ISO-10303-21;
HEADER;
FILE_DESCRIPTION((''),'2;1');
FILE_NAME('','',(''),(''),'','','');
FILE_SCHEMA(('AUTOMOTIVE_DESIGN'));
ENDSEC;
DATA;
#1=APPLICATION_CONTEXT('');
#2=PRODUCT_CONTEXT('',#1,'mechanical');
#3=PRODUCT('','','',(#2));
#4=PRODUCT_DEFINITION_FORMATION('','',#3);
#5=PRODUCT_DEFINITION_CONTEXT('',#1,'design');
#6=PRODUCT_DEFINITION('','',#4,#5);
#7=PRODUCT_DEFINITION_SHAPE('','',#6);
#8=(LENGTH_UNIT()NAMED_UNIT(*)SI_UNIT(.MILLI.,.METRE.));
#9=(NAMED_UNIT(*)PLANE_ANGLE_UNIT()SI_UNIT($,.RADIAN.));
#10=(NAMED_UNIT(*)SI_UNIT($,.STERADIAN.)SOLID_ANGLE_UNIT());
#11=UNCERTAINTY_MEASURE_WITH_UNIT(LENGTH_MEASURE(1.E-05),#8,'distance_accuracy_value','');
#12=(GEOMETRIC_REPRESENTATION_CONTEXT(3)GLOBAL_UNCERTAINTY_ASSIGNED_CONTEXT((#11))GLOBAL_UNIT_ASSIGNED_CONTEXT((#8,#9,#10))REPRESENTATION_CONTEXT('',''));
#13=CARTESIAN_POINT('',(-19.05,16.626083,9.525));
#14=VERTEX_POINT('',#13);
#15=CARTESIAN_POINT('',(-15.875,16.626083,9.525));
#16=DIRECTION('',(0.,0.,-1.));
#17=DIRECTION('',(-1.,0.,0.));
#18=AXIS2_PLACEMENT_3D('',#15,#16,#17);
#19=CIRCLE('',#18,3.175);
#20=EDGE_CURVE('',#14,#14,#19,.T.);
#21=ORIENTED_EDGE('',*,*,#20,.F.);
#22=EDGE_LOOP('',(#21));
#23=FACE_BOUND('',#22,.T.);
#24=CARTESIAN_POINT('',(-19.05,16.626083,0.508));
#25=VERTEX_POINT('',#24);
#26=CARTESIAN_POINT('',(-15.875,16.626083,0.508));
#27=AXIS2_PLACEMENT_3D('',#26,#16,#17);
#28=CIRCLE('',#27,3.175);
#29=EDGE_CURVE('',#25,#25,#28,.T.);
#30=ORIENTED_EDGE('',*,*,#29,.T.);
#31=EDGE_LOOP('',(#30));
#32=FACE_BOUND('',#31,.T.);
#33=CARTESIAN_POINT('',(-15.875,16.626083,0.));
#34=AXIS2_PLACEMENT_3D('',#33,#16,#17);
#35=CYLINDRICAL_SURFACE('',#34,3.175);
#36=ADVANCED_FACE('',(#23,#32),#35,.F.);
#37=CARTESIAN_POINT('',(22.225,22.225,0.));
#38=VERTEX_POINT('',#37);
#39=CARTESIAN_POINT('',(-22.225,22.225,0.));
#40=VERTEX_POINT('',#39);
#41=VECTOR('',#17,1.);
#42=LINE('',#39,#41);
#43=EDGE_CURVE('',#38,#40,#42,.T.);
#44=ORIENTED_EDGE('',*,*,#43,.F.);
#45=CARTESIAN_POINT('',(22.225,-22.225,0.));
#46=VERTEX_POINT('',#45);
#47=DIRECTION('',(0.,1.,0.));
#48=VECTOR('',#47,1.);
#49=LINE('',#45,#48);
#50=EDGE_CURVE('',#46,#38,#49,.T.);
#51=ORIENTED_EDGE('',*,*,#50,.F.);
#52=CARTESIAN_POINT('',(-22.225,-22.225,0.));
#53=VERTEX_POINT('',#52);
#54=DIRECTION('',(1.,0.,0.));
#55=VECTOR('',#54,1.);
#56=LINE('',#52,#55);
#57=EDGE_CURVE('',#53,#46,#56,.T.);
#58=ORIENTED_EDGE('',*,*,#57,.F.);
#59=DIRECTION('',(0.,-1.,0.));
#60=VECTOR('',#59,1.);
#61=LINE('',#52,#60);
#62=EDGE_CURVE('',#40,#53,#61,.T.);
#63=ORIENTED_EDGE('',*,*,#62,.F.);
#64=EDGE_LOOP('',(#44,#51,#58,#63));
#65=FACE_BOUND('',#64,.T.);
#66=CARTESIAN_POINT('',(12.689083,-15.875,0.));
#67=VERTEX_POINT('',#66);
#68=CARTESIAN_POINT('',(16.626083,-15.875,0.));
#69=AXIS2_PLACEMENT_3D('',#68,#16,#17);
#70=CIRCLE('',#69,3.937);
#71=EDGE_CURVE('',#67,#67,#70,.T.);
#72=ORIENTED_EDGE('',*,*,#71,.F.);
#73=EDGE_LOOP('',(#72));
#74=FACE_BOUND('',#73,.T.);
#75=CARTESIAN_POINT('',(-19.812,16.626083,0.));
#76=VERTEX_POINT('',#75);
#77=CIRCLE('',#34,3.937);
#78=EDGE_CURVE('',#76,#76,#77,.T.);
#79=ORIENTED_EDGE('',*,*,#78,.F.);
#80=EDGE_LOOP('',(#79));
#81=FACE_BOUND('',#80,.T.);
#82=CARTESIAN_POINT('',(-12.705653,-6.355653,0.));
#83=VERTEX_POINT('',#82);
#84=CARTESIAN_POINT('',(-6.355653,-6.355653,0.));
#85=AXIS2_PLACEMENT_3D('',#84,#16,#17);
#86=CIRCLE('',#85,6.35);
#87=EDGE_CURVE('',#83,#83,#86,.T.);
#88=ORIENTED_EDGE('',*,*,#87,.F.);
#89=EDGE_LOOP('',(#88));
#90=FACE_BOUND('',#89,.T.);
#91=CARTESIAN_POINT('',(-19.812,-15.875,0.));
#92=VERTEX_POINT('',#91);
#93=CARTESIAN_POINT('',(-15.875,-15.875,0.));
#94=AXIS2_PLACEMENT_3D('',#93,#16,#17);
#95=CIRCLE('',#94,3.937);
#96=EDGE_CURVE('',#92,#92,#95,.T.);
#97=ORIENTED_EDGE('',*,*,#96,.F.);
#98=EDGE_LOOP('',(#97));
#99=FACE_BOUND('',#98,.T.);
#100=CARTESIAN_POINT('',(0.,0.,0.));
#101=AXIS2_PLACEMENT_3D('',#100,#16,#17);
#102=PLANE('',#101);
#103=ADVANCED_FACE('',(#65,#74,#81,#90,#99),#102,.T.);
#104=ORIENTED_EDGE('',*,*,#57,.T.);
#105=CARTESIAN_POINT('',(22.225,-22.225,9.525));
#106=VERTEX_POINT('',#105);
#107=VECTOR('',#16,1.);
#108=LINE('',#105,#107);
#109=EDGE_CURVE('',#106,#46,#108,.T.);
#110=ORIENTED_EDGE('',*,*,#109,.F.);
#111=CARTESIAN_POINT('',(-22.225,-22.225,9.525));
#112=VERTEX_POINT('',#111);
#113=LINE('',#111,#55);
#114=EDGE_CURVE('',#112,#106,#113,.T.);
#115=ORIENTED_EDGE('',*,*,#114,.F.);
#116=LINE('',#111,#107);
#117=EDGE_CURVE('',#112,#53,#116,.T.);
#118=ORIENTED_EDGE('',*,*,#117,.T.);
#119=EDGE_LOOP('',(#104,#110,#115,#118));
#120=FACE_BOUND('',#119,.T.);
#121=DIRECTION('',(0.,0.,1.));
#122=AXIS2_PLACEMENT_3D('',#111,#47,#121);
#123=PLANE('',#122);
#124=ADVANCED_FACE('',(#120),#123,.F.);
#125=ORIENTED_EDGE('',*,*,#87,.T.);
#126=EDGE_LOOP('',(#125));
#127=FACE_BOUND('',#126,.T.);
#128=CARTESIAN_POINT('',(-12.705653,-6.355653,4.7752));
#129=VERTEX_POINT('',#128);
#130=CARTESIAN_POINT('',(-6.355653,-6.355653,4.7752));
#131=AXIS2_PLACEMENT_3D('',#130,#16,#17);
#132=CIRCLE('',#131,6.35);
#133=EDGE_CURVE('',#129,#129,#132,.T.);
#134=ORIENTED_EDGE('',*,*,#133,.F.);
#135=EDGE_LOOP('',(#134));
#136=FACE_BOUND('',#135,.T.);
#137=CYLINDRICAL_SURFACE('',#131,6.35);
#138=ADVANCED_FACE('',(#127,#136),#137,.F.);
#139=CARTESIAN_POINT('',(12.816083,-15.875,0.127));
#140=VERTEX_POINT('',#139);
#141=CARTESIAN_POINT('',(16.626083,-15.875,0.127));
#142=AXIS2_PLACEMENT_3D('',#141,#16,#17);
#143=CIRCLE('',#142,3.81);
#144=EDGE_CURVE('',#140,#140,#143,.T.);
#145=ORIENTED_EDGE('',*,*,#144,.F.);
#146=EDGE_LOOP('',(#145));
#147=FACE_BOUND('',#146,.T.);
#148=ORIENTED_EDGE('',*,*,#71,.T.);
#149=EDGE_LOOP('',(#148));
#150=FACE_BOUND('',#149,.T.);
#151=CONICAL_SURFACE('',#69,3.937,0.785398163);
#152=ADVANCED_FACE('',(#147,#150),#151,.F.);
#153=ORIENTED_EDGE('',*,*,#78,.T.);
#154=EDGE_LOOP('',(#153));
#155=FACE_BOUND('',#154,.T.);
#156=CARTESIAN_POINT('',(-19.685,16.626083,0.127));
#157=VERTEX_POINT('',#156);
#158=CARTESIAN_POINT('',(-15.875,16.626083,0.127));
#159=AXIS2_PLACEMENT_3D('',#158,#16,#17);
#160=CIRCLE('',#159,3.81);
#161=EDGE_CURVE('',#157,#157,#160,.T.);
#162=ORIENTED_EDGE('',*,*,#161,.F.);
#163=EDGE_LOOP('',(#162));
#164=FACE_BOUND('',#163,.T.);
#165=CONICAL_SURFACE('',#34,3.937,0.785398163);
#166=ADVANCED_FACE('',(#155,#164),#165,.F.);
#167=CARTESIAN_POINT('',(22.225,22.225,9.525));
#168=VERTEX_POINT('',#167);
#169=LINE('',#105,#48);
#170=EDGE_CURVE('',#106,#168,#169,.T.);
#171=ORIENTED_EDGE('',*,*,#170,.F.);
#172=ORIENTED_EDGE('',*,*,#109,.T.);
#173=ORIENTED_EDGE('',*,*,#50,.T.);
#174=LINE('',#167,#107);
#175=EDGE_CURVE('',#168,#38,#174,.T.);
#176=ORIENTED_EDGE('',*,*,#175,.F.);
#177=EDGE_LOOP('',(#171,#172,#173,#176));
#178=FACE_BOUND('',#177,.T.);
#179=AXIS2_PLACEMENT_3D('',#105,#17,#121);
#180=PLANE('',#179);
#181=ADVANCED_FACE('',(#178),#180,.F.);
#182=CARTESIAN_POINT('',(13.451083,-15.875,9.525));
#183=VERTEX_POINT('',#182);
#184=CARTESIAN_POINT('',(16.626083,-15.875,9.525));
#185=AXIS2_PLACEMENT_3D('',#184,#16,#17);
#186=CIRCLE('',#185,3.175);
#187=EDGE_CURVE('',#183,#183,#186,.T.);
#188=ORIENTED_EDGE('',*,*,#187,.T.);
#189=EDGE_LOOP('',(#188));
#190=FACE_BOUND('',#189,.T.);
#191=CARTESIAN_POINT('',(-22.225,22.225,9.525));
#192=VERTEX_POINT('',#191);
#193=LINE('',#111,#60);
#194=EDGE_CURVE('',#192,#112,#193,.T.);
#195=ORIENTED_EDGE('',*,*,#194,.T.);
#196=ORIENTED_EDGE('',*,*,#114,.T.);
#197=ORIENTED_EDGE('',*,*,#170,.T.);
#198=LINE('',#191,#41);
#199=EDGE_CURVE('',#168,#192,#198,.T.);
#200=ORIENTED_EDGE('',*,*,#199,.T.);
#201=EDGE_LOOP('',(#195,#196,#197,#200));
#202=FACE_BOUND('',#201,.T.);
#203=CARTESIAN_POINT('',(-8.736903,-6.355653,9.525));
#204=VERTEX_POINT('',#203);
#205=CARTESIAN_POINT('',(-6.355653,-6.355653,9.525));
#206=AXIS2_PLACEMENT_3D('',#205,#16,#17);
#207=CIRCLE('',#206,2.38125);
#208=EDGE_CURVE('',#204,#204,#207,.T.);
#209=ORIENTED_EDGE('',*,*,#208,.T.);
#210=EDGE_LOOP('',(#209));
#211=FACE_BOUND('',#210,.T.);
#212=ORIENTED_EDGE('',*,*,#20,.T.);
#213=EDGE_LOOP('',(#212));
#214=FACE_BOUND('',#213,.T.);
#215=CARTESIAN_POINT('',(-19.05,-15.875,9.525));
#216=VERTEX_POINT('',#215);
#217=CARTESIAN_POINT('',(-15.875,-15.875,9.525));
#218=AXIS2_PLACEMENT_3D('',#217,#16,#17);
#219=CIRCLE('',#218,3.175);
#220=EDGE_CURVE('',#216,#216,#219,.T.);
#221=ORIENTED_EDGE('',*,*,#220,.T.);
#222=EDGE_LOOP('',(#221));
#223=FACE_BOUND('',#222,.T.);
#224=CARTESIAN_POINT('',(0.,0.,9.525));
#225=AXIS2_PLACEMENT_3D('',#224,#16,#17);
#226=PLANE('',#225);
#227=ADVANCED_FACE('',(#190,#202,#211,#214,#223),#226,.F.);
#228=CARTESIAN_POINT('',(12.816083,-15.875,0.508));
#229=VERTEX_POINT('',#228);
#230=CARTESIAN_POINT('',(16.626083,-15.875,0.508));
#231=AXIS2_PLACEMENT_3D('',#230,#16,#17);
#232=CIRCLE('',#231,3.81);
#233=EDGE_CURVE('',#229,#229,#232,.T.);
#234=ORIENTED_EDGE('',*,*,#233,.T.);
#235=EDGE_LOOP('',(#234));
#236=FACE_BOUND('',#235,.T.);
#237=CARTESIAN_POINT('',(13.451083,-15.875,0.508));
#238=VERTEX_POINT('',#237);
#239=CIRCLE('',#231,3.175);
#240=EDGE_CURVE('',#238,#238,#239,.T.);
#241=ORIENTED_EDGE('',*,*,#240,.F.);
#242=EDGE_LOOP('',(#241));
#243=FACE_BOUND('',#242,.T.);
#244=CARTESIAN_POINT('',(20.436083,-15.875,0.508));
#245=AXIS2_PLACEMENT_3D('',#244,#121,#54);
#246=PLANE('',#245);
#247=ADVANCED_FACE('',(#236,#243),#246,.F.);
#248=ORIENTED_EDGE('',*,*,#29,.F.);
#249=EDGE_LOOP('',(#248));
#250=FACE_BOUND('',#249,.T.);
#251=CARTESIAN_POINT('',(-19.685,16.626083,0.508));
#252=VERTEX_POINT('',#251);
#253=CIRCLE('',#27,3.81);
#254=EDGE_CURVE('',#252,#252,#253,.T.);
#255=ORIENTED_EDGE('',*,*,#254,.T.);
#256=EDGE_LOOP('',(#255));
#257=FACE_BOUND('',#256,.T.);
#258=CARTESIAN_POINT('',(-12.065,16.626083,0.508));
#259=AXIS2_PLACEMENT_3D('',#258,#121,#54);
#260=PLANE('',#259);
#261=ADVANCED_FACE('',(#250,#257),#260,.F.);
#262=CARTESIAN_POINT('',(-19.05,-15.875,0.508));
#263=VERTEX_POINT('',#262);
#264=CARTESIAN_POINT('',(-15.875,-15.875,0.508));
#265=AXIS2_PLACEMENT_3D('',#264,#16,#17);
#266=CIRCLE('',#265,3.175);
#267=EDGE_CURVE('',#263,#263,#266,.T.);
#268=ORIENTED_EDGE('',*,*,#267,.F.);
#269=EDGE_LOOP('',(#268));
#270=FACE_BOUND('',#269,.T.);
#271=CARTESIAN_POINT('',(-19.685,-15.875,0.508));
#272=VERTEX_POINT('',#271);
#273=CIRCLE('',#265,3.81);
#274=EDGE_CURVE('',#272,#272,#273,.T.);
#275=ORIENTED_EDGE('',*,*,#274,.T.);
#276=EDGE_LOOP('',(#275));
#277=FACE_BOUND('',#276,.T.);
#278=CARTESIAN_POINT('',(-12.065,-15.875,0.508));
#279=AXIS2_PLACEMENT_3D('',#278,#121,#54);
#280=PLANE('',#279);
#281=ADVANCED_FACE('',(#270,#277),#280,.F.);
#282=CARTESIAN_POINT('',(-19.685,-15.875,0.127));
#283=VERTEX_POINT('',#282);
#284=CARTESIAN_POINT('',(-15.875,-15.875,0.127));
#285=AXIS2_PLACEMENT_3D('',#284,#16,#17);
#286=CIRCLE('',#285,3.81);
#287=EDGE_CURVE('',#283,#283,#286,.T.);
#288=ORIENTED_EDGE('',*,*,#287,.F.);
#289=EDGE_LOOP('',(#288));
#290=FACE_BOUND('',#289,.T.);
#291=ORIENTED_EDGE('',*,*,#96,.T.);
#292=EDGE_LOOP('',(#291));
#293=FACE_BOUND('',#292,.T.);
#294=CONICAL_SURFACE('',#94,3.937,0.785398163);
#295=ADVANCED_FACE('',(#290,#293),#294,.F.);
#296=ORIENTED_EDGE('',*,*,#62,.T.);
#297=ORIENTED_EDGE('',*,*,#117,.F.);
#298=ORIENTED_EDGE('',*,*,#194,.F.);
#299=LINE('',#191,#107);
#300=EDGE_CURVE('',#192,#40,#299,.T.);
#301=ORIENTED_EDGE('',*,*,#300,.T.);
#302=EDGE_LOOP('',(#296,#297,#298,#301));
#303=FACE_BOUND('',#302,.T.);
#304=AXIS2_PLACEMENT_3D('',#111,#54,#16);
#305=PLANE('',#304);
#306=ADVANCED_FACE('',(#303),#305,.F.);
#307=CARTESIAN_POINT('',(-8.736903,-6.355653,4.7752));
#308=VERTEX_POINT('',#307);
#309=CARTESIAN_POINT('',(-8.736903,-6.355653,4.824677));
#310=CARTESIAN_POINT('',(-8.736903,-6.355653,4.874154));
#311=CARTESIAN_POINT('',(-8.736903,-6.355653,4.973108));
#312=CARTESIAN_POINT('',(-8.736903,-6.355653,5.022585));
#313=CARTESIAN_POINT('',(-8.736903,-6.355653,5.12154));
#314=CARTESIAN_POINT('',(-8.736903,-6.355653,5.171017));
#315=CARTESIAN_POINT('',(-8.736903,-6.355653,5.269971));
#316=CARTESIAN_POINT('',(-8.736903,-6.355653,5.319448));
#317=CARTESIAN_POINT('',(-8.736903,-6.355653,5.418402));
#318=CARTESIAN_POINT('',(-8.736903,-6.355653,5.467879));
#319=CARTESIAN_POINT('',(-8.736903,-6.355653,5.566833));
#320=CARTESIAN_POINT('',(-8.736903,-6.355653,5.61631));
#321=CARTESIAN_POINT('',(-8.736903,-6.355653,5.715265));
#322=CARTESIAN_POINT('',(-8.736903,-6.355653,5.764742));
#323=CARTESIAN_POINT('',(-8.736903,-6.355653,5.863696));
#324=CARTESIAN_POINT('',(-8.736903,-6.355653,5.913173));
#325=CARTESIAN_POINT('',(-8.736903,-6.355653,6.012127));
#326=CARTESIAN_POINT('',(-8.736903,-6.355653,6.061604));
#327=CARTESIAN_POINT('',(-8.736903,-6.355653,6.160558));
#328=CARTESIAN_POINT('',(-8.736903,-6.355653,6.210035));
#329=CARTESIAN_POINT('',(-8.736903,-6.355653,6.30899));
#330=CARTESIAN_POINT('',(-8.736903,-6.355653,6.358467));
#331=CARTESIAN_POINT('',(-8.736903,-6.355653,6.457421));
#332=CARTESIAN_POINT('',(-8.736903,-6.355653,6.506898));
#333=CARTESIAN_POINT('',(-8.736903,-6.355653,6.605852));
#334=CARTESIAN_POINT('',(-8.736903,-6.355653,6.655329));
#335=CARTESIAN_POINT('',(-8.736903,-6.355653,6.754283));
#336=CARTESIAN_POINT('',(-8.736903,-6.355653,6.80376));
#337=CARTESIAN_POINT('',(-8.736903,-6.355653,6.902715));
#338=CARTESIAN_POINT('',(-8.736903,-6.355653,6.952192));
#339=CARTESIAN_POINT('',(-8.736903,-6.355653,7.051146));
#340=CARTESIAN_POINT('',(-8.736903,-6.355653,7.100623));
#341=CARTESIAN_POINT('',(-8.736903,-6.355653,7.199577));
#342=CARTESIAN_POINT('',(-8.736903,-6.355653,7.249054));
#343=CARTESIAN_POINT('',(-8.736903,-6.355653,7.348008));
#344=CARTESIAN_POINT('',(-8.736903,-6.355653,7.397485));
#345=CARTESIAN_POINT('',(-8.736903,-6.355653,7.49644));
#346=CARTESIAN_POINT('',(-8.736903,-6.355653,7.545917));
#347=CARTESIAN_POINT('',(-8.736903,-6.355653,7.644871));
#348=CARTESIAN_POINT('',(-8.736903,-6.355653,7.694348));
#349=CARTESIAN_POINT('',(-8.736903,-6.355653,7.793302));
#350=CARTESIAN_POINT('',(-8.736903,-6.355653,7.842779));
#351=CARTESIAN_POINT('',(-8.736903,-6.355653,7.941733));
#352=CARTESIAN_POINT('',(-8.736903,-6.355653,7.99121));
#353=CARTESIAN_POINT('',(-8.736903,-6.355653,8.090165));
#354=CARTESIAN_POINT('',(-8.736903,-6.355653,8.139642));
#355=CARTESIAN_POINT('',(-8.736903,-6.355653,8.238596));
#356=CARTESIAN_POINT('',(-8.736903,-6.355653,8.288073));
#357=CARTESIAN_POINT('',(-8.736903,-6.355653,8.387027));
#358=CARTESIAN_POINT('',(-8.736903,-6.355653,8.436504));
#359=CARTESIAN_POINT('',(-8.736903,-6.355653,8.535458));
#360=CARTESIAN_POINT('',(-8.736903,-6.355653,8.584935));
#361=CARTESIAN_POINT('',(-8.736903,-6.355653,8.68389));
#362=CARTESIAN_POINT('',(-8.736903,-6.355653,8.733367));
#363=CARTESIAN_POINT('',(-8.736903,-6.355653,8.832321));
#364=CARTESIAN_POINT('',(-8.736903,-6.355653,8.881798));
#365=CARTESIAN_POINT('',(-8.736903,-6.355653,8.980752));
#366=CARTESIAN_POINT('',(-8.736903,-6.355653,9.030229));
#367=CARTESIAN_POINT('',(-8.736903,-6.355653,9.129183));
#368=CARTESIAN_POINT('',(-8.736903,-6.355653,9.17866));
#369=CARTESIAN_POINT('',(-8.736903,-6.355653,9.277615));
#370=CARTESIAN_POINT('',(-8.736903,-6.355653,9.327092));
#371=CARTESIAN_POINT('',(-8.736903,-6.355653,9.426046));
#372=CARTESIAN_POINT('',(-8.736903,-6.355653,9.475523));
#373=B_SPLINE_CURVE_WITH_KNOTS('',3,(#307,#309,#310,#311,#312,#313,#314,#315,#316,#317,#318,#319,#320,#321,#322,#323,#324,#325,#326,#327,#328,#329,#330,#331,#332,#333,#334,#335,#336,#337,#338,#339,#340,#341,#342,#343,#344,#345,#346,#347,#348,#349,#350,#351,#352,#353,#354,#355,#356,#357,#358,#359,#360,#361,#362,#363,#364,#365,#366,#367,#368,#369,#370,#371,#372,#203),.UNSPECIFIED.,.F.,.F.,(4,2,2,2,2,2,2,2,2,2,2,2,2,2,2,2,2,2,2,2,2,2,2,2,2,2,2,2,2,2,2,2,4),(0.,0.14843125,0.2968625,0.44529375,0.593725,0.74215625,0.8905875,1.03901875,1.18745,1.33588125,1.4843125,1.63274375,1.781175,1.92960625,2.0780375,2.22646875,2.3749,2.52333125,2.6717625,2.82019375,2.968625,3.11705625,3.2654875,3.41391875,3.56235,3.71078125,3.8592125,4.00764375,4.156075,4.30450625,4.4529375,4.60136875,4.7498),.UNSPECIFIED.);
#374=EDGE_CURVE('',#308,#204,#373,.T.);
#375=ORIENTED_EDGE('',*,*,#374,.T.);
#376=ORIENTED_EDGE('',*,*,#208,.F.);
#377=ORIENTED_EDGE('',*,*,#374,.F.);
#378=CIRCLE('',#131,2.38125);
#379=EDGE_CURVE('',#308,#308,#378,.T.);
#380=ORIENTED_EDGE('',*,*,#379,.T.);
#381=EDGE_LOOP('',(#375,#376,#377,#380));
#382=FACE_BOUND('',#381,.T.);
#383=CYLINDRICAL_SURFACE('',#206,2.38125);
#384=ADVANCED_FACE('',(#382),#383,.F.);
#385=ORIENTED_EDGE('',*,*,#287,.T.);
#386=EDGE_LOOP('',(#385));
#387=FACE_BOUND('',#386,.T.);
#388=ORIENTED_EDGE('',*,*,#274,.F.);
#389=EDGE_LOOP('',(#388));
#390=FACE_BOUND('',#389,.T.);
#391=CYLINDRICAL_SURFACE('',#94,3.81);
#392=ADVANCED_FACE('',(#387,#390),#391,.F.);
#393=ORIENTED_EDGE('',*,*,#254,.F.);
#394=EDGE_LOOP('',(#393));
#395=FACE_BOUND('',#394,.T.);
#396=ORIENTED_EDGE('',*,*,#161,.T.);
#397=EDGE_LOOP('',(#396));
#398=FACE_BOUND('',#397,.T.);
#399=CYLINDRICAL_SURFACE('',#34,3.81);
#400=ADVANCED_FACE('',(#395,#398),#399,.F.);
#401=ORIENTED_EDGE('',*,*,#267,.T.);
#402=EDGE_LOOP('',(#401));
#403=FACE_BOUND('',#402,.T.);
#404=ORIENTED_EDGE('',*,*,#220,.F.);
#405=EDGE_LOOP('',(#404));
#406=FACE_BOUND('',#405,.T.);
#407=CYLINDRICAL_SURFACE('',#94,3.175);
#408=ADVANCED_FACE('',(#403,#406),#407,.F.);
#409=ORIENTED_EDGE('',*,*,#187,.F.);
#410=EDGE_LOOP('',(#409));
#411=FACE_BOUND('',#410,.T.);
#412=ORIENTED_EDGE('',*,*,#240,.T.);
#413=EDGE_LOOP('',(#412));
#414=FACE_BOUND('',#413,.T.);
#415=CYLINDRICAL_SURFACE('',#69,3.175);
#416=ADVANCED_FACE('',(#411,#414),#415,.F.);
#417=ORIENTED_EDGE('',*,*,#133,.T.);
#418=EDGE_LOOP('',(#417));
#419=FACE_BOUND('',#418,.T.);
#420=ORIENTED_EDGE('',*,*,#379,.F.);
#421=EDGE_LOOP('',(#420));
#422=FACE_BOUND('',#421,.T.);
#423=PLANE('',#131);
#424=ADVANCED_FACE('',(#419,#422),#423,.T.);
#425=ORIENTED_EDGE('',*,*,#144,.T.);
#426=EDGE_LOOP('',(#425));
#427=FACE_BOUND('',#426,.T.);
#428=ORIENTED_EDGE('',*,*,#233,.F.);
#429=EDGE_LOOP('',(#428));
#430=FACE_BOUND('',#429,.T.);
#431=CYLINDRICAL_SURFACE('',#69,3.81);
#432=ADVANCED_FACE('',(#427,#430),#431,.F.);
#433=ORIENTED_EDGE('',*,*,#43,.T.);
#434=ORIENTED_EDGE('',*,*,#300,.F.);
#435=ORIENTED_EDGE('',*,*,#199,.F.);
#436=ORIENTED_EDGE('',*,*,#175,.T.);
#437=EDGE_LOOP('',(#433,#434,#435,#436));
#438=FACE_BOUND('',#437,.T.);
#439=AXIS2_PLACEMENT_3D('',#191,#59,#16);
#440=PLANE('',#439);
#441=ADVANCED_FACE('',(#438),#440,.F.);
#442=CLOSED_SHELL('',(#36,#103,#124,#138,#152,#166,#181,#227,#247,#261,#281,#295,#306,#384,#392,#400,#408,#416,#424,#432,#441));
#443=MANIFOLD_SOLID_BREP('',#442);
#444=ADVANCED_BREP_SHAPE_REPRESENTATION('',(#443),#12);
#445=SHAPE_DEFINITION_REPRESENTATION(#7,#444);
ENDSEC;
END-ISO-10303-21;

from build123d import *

# Parameters (mm, degrees)
SKETCH1_W                  = 44.45
SKETCH1_H                  = 44.45
BOSS_EXTRUDE1_DEPTH        = 9.525
CBORE_FOR_1_4_1_AT_2_COUNT = 2
CBORE_FOR_1_4_1_AT_2_PITCH = 45.963472584
CBORE_FOR_1_4_1_AT_3_COUNT = 2
CBORE_FOR_1_4_1_AT_3_PITCH = 32.501083151
SKETCH6_R                  = 6.35
CUT_EXTRUDE1_DEPTH         = 4.7752
SKETCH7_R                  = 2.38125
CUT_EXTRUDE2_DEPTH         = 33.842455374


with BuildPart() as part:
    # Sketch1 → Boss-Extrude1 (new body)
    with BuildSketch(Plane.XY):
        Rectangle(SKETCH1_W, SKETCH1_H)
    extrude(amount=BOSS_EXTRUDE1_DEPTH)

    # Sketch5 → CBORE for 1/4 _1 (revolve, cut)
    with BuildSketch(Plane(origin=(-15.875, 16.626083151, 0), x_dir=(0, 1, 0), z_dir=(1, 0, 0))):
        Polygon((0, 0), (0, 9.525), (3.175, 9.525), (3.175, 0.508), (3.81, 0.508), (3.81, 0.127), (3.937, 0), align=None)
    cbore_for_1_4_1 = revolve(axis=Axis((-15.875, 16.626083151, -6.35), (0, 0, 1)), mode=Mode.SUBTRACT)

    # CBORE for 1/4 _1 at 2: CBORE for 1/4 _1 ×2
    with Locations(*[Vector(0.7071067811865476, -0.7071067811865476, 0) * (i * CBORE_FOR_1_4_1_AT_2_PITCH) for i in range(1, CBORE_FOR_1_4_1_AT_2_COUNT)]):
        add(cbore_for_1_4_1, mode=Mode.SUBTRACT)

    # CBORE for 1/4 _1 at 3: CBORE for 1/4 _1 ×2
    with Locations(*[(0, -i * CBORE_FOR_1_4_1_AT_3_PITCH, 0) for i in range(1, CBORE_FOR_1_4_1_AT_3_COUNT)]):
        add(cbore_for_1_4_1, mode=Mode.SUBTRACT)

    # Sketch6 → Cut-Extrude1 (cut)
    with BuildSketch(Plane(origin=(0, 0, 0), x_dir=(-1, 0, 0), z_dir=(0, 0, -1))):
        with Locations((6.355653141, -6.355653141)):
            Circle(SKETCH6_R)
    extrude(amount=-CUT_EXTRUDE1_DEPTH, mode=Mode.SUBTRACT)

    # Sketch7 → Cut-Extrude2 (cut, through all)
    with BuildSketch(Plane(origin=(0, 0, 0), x_dir=(-1, 0, 0), z_dir=(0, 0, -1))):
        with Locations((6.355653141, -6.355653141)):
            Circle(SKETCH7_R)
    extrude(amount=-CUT_EXTRUDE2_DEPTH, mode=Mode.SUBTRACT)


solid = part.part
